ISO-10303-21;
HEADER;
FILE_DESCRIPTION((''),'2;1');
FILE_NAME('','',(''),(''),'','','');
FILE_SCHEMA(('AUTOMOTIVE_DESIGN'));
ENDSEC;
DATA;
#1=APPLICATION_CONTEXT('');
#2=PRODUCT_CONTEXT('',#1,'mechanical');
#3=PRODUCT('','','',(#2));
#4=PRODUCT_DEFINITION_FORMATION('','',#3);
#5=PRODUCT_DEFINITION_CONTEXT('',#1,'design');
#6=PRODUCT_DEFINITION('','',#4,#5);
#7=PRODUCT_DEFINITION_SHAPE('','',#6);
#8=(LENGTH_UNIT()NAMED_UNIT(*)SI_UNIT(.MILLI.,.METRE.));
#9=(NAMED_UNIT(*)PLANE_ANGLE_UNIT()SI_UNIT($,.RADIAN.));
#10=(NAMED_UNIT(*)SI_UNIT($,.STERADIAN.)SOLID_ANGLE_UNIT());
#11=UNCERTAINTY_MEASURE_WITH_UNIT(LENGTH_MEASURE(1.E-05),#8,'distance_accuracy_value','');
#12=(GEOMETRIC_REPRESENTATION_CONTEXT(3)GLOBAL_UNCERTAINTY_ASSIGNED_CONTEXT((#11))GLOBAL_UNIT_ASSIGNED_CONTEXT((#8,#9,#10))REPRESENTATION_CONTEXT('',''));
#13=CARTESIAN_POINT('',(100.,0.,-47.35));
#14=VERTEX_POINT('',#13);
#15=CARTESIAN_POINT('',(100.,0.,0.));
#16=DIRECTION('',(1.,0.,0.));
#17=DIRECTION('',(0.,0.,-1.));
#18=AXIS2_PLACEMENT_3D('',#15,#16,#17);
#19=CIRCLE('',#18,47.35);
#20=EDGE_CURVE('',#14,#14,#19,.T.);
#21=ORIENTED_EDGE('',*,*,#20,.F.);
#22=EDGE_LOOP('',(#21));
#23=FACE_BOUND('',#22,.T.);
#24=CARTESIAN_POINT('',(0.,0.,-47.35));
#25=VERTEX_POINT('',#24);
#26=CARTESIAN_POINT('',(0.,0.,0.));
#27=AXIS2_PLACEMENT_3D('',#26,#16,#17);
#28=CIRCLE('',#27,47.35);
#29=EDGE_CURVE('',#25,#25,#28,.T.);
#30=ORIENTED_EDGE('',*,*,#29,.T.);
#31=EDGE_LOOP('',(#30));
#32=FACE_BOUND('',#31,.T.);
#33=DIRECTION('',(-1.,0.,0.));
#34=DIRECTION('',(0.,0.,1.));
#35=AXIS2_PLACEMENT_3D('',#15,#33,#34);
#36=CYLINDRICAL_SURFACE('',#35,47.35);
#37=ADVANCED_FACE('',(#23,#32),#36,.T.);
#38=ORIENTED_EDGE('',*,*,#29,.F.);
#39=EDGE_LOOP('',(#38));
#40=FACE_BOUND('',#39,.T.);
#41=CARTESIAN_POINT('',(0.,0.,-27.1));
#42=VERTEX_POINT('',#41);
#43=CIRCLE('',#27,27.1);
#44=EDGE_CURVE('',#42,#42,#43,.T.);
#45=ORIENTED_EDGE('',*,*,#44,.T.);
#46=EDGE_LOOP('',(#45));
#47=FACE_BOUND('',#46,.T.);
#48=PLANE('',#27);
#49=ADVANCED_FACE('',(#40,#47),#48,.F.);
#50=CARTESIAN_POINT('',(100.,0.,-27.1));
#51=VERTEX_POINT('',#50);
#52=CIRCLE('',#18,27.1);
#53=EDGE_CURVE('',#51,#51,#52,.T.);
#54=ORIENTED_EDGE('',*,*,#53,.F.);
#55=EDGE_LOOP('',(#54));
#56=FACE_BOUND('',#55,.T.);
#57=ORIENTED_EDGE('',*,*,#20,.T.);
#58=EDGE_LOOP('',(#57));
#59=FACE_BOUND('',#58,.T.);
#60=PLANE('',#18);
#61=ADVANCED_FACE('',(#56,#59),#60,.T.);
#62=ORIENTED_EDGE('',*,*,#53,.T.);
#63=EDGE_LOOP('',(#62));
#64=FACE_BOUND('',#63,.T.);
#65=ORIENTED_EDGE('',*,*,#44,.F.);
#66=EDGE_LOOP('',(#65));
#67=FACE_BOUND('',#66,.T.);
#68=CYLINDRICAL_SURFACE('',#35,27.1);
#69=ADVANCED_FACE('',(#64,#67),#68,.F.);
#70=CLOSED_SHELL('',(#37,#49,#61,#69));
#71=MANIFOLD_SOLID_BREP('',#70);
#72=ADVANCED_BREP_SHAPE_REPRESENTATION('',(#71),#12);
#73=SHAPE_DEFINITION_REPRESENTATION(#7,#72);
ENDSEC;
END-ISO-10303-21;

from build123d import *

# Parameters (mm, degrees)
SKETCH1_R           = 47.35
SKETCH1_R_2         = 27.1
BOSS_EXTRUDE1_DEPTH = 100


with BuildPart() as part:
    # Sketch1 → Boss-Extrude1 (new body)
    with BuildSketch(Plane(origin=(0, 0, 0), x_dir=(0, 0, -1), z_dir=(1, 0, 0))):
        Circle(SKETCH1_R)
        Circle(SKETCH1_R_2, mode=Mode.SUBTRACT)
    extrude(amount=BOSS_EXTRUDE1_DEPTH)


solid = part.part
